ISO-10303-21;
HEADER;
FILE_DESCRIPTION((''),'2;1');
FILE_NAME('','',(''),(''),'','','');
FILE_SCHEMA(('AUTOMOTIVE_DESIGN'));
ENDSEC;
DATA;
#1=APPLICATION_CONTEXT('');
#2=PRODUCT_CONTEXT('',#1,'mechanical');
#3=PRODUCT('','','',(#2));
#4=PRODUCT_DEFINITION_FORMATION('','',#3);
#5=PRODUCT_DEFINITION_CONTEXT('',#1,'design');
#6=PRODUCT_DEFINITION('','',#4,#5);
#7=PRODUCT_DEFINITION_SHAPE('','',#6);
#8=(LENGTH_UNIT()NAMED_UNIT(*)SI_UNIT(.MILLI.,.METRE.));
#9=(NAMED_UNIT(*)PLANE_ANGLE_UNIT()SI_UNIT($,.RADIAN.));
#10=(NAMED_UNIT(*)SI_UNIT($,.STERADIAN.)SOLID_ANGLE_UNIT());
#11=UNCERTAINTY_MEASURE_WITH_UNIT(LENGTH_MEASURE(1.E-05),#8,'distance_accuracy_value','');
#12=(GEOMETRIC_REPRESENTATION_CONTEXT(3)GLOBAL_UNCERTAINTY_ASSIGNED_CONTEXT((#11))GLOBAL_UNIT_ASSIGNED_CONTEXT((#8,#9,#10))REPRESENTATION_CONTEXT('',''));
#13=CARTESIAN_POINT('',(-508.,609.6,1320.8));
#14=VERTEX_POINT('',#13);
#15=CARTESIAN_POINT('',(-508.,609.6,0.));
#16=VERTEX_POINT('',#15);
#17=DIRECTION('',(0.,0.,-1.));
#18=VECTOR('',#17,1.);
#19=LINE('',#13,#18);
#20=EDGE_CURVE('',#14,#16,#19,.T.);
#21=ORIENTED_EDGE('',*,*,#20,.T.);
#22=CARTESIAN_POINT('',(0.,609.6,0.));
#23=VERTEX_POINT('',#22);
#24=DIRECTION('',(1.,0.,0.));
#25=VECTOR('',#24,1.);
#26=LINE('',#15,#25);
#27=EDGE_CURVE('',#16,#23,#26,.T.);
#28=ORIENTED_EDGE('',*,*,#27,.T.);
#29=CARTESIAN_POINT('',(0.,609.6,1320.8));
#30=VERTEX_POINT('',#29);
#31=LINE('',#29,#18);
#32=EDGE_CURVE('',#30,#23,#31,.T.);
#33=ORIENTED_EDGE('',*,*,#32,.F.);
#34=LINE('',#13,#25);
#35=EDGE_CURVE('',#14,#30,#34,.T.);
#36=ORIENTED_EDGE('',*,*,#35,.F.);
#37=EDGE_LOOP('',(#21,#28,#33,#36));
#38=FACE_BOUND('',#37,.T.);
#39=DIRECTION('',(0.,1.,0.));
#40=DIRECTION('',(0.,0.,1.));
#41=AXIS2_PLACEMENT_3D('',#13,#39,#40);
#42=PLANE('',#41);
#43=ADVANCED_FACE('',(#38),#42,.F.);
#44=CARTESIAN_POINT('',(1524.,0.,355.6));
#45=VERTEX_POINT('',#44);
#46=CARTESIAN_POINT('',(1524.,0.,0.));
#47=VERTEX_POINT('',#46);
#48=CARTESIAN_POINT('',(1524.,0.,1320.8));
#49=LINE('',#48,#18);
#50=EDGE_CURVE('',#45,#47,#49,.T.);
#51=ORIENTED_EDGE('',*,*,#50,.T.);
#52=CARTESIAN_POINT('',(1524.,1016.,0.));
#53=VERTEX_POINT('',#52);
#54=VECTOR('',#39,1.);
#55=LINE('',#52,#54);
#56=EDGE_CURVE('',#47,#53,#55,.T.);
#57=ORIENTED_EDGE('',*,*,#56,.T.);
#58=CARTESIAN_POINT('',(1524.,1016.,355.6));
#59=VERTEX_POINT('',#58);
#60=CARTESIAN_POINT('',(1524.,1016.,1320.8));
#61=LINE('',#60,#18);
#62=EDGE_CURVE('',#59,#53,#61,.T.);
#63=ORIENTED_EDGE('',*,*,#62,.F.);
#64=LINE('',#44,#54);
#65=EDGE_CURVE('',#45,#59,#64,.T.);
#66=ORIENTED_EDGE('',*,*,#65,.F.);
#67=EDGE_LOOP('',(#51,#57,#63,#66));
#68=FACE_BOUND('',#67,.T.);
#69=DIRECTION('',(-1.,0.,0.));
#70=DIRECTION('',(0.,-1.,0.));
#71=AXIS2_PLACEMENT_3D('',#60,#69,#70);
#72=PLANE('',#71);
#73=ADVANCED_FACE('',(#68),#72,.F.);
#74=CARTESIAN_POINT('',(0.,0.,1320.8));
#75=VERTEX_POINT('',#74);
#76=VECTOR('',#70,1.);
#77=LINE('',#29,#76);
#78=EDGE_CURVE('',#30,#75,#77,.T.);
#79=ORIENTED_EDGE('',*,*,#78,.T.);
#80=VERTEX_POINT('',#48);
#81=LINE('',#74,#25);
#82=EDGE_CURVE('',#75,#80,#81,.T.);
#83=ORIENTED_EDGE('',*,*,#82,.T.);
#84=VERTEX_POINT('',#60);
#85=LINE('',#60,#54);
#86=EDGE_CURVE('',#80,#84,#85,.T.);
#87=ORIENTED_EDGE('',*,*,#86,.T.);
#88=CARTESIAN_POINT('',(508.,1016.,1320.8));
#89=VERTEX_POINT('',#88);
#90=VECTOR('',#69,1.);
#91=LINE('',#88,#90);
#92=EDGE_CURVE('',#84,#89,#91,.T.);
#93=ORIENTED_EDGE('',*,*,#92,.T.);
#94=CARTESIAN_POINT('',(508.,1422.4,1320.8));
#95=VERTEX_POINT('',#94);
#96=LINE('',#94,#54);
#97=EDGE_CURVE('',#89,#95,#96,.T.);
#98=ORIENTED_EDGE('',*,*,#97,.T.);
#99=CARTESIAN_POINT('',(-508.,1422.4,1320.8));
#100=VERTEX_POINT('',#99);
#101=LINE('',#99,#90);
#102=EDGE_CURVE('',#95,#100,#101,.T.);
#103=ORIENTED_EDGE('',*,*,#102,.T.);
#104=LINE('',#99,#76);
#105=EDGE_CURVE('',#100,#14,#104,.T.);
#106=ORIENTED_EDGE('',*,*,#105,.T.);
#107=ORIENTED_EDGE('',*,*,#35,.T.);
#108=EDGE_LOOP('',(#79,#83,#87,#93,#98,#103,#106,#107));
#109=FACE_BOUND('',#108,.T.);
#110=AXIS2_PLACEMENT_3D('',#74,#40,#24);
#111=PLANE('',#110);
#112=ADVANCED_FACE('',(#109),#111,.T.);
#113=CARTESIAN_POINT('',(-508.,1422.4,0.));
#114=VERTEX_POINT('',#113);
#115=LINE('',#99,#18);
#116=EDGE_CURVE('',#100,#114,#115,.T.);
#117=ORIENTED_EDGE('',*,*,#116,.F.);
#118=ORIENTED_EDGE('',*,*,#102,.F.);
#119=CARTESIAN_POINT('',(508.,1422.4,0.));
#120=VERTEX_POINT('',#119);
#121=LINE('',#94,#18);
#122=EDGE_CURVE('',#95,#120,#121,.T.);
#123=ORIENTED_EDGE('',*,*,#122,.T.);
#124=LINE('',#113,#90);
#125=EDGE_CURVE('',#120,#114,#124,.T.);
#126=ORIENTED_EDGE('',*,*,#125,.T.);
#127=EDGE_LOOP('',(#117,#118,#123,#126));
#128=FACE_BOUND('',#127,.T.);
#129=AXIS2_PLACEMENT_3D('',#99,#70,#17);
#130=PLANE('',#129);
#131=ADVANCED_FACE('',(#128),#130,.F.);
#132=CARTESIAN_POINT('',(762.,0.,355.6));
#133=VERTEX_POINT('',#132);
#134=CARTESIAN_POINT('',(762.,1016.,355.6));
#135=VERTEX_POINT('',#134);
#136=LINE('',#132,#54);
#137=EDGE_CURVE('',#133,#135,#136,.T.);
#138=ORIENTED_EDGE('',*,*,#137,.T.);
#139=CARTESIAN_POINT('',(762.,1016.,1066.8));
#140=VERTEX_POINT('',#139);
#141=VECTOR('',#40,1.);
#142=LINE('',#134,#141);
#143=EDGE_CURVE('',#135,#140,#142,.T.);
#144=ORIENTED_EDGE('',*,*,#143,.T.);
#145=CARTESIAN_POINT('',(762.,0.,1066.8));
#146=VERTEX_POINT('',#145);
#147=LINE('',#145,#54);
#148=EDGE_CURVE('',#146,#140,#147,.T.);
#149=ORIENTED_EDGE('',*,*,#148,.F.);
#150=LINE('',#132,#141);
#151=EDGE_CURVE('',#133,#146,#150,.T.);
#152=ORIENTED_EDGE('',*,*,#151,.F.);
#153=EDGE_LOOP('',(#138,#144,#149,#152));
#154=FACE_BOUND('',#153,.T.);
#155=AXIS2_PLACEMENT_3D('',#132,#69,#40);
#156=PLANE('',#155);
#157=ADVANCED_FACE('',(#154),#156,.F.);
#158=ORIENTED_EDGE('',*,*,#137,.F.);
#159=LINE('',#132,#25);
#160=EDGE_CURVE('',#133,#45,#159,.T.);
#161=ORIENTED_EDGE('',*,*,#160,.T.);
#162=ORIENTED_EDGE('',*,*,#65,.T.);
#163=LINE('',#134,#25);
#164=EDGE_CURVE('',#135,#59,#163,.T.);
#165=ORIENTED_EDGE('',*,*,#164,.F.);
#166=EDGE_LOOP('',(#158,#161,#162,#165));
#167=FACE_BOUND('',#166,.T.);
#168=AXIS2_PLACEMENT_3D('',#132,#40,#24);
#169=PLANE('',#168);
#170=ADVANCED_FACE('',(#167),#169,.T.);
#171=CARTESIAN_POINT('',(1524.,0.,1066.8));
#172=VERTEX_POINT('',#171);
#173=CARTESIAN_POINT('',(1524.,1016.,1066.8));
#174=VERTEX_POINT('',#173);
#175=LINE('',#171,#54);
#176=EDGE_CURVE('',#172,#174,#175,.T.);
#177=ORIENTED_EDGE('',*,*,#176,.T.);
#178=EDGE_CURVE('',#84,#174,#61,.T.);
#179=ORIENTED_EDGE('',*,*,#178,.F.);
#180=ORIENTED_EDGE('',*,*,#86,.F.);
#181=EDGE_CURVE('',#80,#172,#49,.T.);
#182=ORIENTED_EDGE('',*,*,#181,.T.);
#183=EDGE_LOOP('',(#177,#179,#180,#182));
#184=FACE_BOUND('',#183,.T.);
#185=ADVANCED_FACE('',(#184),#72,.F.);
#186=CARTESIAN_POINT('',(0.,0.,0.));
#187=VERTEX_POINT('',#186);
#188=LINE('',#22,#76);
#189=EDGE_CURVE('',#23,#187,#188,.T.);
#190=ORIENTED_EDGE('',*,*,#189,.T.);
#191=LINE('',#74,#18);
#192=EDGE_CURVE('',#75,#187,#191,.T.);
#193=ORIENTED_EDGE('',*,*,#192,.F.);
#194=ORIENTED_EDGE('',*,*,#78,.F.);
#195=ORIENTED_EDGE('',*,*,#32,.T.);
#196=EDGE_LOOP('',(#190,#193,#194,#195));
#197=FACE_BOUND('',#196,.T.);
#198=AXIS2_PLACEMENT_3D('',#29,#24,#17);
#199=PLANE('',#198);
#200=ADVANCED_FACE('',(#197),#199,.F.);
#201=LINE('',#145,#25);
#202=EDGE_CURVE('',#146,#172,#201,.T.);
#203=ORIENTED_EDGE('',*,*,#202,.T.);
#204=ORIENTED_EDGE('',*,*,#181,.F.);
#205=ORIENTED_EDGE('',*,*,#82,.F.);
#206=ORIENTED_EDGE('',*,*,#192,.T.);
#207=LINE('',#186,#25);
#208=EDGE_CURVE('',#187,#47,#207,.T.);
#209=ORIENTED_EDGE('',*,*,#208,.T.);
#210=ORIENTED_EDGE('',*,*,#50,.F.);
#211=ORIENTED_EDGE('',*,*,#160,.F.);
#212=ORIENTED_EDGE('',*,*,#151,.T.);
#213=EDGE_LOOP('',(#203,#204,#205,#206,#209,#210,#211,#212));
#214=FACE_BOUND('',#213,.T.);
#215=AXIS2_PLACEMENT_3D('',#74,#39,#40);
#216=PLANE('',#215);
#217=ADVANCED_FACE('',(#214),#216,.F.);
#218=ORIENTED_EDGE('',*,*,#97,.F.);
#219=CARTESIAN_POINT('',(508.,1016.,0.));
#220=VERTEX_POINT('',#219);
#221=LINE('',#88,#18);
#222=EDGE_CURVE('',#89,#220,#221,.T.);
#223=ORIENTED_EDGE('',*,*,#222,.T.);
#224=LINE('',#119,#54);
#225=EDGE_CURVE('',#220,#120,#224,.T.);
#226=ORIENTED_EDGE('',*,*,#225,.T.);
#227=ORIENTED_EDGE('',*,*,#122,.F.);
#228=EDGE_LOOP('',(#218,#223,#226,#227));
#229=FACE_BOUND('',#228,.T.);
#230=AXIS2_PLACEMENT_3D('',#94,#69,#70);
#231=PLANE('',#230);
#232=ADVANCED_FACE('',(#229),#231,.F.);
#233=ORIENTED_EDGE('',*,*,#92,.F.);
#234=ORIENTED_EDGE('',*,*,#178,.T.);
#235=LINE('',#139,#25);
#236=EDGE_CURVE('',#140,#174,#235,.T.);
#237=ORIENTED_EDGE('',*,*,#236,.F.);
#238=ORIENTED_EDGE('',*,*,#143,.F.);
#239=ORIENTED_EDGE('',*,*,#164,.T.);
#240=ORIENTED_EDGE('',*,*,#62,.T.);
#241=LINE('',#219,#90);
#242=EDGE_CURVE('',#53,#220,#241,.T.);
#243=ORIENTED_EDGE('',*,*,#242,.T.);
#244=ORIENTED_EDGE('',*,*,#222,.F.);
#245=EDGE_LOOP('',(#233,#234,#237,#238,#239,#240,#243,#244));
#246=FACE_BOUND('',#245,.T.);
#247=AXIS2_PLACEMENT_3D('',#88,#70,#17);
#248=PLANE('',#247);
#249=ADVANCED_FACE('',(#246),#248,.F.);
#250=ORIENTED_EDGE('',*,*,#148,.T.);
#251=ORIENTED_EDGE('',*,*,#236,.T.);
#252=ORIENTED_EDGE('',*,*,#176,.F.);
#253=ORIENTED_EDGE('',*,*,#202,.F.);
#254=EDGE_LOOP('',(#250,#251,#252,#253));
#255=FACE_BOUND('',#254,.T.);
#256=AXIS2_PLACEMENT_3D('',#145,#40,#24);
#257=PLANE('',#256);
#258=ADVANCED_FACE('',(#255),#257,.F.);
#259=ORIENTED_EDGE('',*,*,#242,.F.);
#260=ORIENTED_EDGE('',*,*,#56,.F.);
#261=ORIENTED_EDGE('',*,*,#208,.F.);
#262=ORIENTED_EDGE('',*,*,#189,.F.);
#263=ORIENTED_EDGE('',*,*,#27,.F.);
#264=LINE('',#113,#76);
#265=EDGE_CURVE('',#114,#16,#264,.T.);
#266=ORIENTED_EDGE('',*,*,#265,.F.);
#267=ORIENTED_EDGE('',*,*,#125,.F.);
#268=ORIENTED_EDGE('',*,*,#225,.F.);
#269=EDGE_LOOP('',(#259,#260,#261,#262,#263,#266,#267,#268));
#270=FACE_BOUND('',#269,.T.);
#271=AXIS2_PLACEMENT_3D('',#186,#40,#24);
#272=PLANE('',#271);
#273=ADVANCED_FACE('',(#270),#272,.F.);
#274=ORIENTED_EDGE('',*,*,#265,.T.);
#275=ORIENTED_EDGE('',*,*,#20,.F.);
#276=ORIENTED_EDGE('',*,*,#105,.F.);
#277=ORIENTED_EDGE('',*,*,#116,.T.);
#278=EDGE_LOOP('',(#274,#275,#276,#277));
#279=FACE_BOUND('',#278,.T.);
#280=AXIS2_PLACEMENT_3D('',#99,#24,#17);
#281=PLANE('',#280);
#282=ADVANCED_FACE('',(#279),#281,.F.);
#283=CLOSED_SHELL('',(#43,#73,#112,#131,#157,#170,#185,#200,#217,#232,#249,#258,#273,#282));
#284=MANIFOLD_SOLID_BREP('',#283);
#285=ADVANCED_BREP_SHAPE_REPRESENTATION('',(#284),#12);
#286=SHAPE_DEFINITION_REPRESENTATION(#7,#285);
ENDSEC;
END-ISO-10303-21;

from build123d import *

# Parameters (mm, degrees)
Y_KSEKLIK_EKSTR_ZYON1_DEPTH = 1320.8
IZIM2_W                     = 762
IZIM2_H                     = 711.2
KES_EKSTR_ZYON2_DEPTH       = 1016


with BuildPart() as part:
    # Çizim1 → Yükseklik-Ekstrüzyon1 (new body)
    with BuildSketch(Plane.XY):
        Polygon((-508, 1422.4), (508, 1422.4), (508, 1016), (1524, 1016), (1524, 0), (0, 0), (0, 609.6), (-508, 609.6), align=None)
    extrude(amount=Y_KSEKLIK_EKSTR_ZYON1_DEPTH)

    # Çizim2 → Kes-Ekstrüzyon2 (cut)
    with BuildSketch(Plane(origin=(0, 1016, 0), x_dir=(1, 0, 0), z_dir=(0, 1, 0))):
        with Locations((1143, -711.2)):
            Rectangle(IZIM2_W, IZIM2_H)
    extrude(amount=-KES_EKSTR_ZYON2_DEPTH, mode=Mode.SUBTRACT)


solid = part.part
